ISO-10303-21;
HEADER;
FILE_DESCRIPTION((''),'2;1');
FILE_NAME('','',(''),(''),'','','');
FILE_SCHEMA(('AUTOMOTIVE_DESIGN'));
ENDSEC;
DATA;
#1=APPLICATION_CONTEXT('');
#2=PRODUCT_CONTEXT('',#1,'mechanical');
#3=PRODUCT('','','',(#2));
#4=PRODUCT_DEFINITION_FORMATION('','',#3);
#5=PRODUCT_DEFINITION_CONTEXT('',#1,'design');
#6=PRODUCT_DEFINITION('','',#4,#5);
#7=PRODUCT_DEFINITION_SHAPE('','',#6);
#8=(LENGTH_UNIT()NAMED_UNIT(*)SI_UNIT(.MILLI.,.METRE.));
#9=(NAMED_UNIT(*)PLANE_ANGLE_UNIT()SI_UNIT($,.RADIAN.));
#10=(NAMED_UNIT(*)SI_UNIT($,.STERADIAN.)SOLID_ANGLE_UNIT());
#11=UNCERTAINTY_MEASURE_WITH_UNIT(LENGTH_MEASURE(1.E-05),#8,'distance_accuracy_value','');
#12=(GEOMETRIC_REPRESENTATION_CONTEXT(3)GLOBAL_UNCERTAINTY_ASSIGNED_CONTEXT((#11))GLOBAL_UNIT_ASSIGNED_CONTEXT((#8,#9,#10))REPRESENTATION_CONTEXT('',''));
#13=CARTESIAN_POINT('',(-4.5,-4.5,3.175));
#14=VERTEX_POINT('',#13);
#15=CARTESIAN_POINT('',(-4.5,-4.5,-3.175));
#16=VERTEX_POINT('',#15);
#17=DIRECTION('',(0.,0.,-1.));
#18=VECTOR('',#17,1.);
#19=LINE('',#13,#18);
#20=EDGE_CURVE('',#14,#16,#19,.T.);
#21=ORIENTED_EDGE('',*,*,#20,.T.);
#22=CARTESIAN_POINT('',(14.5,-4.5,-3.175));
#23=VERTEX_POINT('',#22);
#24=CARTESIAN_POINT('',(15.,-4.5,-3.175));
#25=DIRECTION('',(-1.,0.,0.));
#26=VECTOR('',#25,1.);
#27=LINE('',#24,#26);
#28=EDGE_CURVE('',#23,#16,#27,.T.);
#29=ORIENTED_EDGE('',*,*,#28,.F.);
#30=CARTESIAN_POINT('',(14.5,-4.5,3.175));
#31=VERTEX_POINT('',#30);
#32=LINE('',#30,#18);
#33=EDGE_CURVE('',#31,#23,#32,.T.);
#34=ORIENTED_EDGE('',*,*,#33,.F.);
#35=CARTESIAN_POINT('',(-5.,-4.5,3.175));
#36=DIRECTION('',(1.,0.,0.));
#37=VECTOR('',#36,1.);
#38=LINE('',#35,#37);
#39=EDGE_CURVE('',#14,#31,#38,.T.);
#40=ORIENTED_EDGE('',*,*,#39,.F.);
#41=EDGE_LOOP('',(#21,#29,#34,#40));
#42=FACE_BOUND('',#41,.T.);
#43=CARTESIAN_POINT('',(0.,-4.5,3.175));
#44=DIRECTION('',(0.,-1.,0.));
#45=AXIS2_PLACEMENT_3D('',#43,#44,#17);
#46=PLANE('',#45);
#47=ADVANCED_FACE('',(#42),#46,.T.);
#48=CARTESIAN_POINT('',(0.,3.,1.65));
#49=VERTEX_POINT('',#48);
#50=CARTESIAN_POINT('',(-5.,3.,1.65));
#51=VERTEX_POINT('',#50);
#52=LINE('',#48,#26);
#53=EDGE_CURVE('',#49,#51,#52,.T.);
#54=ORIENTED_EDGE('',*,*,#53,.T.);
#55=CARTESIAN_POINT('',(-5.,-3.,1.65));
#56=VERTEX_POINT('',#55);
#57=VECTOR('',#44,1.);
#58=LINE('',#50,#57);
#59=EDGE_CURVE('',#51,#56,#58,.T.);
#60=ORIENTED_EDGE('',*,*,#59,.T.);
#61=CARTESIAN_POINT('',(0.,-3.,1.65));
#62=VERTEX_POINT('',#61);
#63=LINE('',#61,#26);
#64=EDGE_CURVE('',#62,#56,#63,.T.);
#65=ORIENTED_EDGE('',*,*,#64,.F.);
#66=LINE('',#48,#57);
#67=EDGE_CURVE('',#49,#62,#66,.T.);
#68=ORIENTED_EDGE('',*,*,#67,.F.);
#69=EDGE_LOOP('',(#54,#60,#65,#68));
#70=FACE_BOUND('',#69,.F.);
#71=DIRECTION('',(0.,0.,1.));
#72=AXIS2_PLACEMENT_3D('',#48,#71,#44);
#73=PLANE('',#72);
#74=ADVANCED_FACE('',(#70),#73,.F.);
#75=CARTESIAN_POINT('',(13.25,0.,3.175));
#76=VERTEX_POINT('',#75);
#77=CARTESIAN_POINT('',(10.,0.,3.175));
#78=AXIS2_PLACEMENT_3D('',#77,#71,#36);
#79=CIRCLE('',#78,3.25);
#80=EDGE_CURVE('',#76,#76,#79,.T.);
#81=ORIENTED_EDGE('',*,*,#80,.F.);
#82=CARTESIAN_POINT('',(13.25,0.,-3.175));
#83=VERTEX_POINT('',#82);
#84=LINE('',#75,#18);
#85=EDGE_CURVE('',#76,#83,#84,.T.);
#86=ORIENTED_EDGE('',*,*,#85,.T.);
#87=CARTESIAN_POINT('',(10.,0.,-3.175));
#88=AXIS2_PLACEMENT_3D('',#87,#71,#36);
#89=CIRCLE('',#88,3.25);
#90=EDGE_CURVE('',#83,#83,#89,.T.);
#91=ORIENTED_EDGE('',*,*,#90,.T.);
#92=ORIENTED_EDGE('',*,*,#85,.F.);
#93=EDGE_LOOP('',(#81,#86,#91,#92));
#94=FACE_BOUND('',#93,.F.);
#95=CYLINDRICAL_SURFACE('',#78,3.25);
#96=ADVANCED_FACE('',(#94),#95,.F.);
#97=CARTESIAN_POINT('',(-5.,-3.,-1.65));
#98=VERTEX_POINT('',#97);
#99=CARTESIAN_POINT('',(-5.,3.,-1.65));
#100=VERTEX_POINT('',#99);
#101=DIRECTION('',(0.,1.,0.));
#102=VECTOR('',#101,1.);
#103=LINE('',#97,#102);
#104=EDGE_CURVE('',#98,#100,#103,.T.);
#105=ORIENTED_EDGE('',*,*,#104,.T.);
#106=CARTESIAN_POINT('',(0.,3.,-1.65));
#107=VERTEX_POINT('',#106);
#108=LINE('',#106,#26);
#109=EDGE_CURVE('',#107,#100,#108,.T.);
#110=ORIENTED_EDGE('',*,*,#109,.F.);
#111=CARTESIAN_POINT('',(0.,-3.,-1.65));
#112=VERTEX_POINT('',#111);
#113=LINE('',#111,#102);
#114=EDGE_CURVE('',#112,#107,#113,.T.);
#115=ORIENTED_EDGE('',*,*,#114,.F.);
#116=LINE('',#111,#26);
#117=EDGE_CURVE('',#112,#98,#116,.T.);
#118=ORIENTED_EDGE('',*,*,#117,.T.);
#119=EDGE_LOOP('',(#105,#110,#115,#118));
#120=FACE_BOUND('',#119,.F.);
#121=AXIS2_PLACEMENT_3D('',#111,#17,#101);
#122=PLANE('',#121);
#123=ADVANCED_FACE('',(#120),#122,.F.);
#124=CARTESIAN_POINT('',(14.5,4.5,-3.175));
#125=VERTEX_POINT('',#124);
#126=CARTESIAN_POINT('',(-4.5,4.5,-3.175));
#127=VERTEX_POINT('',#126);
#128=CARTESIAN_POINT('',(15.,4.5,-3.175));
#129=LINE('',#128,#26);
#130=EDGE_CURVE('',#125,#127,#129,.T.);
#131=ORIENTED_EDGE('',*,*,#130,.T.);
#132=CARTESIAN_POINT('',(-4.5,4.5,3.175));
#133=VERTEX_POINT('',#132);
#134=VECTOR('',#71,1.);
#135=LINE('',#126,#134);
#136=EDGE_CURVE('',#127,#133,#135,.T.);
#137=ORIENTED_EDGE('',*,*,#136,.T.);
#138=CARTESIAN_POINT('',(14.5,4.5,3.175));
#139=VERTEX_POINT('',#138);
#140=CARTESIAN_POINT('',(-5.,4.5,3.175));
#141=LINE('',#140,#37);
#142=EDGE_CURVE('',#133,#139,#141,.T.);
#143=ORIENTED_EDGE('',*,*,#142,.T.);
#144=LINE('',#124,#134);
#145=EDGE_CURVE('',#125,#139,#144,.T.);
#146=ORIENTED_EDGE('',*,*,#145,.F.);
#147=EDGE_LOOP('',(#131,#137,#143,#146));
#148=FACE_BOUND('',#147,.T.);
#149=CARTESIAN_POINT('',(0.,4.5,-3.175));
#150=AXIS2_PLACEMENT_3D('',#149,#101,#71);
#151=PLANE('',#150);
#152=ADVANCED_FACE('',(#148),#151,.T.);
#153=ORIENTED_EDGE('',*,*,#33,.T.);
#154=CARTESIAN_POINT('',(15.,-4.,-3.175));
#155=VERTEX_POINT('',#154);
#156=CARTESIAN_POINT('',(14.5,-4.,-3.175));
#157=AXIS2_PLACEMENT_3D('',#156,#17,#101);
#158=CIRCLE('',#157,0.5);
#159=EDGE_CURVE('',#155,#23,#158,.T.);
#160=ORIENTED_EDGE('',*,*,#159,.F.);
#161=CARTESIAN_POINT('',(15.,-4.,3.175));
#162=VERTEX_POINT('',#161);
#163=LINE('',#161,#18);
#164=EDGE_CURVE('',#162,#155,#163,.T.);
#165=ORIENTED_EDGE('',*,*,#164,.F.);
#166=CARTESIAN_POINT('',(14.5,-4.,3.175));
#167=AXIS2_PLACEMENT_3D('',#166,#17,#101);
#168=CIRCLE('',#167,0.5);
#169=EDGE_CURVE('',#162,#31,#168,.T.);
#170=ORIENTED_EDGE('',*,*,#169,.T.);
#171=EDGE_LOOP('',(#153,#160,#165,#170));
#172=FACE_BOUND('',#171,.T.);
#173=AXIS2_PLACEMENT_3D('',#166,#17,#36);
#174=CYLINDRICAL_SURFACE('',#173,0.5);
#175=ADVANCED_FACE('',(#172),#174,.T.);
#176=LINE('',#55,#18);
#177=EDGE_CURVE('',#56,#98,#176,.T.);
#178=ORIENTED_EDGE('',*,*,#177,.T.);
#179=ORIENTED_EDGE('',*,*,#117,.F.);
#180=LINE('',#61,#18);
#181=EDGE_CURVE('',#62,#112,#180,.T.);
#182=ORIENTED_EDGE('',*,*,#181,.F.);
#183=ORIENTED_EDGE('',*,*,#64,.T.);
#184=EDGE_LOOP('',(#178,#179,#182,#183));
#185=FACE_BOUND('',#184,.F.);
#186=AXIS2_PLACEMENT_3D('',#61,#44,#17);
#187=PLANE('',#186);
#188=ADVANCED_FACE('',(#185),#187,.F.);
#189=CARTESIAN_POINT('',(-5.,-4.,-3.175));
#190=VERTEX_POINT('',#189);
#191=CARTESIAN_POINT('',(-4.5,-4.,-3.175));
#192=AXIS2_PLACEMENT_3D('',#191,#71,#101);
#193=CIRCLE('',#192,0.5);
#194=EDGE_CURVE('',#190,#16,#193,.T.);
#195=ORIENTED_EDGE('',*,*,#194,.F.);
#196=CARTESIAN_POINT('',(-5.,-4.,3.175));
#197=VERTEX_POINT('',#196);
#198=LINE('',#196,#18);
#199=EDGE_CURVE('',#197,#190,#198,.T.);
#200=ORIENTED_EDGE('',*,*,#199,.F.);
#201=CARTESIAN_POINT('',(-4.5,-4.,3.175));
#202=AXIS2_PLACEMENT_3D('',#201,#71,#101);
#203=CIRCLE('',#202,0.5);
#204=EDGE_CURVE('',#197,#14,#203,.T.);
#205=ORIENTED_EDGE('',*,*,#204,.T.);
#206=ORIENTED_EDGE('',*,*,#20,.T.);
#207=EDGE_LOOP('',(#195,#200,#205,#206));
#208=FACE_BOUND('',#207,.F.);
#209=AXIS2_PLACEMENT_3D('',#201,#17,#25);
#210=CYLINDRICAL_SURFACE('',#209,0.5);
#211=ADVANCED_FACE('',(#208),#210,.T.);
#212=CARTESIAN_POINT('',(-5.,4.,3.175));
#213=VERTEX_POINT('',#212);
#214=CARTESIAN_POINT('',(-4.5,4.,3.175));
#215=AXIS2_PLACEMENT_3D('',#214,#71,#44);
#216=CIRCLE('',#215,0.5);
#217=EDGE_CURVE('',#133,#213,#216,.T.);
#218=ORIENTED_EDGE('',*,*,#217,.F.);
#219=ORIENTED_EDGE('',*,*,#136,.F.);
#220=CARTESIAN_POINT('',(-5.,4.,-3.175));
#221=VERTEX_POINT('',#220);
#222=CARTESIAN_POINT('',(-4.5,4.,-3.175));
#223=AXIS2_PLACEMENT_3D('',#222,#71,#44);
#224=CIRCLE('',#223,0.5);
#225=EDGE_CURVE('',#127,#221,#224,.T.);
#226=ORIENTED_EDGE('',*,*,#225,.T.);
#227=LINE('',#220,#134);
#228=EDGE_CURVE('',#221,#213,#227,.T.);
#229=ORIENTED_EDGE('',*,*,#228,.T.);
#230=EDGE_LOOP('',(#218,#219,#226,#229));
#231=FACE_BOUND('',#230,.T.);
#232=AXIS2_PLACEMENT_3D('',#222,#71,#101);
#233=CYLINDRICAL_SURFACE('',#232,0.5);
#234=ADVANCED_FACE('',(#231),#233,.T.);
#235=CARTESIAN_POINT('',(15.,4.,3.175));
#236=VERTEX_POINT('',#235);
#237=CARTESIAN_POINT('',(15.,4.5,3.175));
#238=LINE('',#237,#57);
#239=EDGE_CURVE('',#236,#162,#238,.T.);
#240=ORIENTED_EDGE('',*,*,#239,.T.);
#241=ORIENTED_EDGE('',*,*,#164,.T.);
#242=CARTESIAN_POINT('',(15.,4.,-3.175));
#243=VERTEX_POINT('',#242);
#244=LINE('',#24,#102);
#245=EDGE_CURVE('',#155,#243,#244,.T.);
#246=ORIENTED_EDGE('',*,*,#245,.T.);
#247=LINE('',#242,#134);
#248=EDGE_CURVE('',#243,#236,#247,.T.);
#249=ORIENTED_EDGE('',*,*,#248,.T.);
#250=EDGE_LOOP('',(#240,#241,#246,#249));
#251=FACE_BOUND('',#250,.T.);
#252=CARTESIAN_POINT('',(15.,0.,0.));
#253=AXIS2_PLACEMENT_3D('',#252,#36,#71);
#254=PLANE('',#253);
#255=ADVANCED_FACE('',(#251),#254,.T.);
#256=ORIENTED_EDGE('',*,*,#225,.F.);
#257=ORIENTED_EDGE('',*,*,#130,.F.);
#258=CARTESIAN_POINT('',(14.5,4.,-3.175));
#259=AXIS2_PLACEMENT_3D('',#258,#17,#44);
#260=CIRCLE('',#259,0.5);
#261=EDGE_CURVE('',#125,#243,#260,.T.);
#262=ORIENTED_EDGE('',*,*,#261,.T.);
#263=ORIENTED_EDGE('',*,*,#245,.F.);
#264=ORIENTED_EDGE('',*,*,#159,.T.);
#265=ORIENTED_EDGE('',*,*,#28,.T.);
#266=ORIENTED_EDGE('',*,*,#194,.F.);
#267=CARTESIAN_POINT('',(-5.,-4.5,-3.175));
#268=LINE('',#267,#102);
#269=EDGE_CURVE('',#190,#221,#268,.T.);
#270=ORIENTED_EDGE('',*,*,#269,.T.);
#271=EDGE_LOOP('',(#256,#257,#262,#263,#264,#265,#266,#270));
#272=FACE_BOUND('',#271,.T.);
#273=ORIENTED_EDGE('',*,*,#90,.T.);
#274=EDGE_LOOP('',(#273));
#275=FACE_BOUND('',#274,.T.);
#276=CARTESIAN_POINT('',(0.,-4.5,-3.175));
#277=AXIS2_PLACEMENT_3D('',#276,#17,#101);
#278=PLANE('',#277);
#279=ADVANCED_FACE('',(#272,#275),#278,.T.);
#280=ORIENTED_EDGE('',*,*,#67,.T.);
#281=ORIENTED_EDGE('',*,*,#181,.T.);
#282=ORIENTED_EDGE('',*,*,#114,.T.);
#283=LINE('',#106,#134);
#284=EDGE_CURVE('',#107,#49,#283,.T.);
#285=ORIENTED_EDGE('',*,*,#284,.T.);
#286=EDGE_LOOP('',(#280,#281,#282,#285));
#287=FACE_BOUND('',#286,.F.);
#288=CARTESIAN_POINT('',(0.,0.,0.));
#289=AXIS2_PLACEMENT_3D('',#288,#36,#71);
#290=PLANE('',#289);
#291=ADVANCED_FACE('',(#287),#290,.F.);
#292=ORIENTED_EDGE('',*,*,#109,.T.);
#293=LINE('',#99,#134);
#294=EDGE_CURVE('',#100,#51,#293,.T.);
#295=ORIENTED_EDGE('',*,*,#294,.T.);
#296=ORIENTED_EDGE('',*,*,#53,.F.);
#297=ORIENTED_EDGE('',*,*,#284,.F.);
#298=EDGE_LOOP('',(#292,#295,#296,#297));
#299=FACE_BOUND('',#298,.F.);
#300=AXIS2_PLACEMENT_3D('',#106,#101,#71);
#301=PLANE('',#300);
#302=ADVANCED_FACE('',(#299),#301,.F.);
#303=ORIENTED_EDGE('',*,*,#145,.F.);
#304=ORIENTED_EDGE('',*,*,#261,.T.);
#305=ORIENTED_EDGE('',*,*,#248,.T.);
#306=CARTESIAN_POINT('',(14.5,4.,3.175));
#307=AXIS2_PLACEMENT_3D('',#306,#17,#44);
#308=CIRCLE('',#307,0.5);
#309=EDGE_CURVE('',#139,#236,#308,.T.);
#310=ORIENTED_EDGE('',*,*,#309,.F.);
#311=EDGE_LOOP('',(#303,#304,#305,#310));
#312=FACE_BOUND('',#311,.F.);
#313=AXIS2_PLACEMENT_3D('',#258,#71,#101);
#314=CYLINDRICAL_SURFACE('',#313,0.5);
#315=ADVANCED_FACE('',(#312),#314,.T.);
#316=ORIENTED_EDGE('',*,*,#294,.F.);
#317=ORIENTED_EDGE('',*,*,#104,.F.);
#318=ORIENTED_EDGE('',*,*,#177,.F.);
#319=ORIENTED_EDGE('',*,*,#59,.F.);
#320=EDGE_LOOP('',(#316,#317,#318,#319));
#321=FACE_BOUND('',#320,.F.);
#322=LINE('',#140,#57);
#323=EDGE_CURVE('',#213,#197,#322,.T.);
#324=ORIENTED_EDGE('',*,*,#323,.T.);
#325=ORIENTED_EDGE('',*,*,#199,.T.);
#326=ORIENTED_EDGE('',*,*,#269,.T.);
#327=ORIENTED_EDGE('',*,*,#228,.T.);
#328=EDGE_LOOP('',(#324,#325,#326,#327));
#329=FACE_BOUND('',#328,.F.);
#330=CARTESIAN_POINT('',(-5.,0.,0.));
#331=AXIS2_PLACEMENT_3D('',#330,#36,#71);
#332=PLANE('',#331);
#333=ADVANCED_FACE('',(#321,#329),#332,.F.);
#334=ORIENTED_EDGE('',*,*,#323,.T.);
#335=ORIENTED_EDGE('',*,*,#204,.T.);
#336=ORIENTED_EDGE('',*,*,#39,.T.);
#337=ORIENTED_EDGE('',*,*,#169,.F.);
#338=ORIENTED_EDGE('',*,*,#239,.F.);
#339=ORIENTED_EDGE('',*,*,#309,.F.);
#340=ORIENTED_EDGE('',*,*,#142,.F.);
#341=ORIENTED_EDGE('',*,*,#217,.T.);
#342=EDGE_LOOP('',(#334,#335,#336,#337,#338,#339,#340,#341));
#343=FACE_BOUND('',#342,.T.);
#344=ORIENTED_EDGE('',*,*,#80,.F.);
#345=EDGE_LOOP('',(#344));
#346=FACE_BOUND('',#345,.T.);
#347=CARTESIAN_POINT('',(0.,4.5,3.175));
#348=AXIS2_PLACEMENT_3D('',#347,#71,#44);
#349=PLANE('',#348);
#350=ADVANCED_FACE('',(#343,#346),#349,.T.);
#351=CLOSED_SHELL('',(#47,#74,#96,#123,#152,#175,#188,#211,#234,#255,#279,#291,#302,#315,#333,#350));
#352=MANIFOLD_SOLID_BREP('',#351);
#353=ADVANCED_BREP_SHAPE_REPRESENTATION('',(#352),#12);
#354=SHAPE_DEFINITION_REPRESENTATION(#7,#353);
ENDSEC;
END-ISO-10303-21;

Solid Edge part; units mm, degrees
sketch "Sketch1" plane through (0, 0, 0) normal (1, 0, 0) x (0, 1, 0)
  line L0 (4.5, -3.175) -> (4.5, 3.175)
  line L1 (4.5, 3.175) -> (-4.5, 3.175)
  line L2 (-4.5, 3.175) -> (-4.5, -3.175)
  line L3 (-4.5, -3.175) -> (4.5, -3.175)
  line L4 (3, -1.65) -> (3, 1.65)
  line L5 (3, 1.65) -> (-3, 1.65)
  line L6 (-3, 1.65) -> (-3, -1.65)
  line L7 (-3, -1.65) -> (3, -1.65)
  dimension "D1" = 3.3
  dimension "D2" = 6
  dimension "D3" = 9
  dimension "D4" = 6.35
extrude "Protrusion1" add sketch "Sketch1" against normal blind 5
sketch "Sketch2" plane through (0, 0, 0) normal (1, 0, 0) x (0, 1, 0)
  line L0 (4.5, -3.175) -> (4.5, 3.175)
  line L1 (4.5, 3.175) -> (-4.5, 3.175)
  line L2 (-4.5, 3.175) -> (-4.5, -3.175)
  line L3 (-4.5, -3.175) -> (4.5, -3.175)
extrude "ExtrudedProtrusion_2" add sketch "Sketch2" along normal blind 15
sketch "Sketch3" plane through (2.2625, 0, 3.175) normal (0, 0, 1) x (1, 0, 0)
  circle A0 centre (7.7375, 0) radius 3.25
extrude "Cutout1" cut sketch "Sketch3" against normal up to next
fillet "Round1" radius 0.5 4 edges at (-5, 4.5, 0) (-5, -4.5, 0) (15, 4.5, 0) (15, -4.5, 0)
